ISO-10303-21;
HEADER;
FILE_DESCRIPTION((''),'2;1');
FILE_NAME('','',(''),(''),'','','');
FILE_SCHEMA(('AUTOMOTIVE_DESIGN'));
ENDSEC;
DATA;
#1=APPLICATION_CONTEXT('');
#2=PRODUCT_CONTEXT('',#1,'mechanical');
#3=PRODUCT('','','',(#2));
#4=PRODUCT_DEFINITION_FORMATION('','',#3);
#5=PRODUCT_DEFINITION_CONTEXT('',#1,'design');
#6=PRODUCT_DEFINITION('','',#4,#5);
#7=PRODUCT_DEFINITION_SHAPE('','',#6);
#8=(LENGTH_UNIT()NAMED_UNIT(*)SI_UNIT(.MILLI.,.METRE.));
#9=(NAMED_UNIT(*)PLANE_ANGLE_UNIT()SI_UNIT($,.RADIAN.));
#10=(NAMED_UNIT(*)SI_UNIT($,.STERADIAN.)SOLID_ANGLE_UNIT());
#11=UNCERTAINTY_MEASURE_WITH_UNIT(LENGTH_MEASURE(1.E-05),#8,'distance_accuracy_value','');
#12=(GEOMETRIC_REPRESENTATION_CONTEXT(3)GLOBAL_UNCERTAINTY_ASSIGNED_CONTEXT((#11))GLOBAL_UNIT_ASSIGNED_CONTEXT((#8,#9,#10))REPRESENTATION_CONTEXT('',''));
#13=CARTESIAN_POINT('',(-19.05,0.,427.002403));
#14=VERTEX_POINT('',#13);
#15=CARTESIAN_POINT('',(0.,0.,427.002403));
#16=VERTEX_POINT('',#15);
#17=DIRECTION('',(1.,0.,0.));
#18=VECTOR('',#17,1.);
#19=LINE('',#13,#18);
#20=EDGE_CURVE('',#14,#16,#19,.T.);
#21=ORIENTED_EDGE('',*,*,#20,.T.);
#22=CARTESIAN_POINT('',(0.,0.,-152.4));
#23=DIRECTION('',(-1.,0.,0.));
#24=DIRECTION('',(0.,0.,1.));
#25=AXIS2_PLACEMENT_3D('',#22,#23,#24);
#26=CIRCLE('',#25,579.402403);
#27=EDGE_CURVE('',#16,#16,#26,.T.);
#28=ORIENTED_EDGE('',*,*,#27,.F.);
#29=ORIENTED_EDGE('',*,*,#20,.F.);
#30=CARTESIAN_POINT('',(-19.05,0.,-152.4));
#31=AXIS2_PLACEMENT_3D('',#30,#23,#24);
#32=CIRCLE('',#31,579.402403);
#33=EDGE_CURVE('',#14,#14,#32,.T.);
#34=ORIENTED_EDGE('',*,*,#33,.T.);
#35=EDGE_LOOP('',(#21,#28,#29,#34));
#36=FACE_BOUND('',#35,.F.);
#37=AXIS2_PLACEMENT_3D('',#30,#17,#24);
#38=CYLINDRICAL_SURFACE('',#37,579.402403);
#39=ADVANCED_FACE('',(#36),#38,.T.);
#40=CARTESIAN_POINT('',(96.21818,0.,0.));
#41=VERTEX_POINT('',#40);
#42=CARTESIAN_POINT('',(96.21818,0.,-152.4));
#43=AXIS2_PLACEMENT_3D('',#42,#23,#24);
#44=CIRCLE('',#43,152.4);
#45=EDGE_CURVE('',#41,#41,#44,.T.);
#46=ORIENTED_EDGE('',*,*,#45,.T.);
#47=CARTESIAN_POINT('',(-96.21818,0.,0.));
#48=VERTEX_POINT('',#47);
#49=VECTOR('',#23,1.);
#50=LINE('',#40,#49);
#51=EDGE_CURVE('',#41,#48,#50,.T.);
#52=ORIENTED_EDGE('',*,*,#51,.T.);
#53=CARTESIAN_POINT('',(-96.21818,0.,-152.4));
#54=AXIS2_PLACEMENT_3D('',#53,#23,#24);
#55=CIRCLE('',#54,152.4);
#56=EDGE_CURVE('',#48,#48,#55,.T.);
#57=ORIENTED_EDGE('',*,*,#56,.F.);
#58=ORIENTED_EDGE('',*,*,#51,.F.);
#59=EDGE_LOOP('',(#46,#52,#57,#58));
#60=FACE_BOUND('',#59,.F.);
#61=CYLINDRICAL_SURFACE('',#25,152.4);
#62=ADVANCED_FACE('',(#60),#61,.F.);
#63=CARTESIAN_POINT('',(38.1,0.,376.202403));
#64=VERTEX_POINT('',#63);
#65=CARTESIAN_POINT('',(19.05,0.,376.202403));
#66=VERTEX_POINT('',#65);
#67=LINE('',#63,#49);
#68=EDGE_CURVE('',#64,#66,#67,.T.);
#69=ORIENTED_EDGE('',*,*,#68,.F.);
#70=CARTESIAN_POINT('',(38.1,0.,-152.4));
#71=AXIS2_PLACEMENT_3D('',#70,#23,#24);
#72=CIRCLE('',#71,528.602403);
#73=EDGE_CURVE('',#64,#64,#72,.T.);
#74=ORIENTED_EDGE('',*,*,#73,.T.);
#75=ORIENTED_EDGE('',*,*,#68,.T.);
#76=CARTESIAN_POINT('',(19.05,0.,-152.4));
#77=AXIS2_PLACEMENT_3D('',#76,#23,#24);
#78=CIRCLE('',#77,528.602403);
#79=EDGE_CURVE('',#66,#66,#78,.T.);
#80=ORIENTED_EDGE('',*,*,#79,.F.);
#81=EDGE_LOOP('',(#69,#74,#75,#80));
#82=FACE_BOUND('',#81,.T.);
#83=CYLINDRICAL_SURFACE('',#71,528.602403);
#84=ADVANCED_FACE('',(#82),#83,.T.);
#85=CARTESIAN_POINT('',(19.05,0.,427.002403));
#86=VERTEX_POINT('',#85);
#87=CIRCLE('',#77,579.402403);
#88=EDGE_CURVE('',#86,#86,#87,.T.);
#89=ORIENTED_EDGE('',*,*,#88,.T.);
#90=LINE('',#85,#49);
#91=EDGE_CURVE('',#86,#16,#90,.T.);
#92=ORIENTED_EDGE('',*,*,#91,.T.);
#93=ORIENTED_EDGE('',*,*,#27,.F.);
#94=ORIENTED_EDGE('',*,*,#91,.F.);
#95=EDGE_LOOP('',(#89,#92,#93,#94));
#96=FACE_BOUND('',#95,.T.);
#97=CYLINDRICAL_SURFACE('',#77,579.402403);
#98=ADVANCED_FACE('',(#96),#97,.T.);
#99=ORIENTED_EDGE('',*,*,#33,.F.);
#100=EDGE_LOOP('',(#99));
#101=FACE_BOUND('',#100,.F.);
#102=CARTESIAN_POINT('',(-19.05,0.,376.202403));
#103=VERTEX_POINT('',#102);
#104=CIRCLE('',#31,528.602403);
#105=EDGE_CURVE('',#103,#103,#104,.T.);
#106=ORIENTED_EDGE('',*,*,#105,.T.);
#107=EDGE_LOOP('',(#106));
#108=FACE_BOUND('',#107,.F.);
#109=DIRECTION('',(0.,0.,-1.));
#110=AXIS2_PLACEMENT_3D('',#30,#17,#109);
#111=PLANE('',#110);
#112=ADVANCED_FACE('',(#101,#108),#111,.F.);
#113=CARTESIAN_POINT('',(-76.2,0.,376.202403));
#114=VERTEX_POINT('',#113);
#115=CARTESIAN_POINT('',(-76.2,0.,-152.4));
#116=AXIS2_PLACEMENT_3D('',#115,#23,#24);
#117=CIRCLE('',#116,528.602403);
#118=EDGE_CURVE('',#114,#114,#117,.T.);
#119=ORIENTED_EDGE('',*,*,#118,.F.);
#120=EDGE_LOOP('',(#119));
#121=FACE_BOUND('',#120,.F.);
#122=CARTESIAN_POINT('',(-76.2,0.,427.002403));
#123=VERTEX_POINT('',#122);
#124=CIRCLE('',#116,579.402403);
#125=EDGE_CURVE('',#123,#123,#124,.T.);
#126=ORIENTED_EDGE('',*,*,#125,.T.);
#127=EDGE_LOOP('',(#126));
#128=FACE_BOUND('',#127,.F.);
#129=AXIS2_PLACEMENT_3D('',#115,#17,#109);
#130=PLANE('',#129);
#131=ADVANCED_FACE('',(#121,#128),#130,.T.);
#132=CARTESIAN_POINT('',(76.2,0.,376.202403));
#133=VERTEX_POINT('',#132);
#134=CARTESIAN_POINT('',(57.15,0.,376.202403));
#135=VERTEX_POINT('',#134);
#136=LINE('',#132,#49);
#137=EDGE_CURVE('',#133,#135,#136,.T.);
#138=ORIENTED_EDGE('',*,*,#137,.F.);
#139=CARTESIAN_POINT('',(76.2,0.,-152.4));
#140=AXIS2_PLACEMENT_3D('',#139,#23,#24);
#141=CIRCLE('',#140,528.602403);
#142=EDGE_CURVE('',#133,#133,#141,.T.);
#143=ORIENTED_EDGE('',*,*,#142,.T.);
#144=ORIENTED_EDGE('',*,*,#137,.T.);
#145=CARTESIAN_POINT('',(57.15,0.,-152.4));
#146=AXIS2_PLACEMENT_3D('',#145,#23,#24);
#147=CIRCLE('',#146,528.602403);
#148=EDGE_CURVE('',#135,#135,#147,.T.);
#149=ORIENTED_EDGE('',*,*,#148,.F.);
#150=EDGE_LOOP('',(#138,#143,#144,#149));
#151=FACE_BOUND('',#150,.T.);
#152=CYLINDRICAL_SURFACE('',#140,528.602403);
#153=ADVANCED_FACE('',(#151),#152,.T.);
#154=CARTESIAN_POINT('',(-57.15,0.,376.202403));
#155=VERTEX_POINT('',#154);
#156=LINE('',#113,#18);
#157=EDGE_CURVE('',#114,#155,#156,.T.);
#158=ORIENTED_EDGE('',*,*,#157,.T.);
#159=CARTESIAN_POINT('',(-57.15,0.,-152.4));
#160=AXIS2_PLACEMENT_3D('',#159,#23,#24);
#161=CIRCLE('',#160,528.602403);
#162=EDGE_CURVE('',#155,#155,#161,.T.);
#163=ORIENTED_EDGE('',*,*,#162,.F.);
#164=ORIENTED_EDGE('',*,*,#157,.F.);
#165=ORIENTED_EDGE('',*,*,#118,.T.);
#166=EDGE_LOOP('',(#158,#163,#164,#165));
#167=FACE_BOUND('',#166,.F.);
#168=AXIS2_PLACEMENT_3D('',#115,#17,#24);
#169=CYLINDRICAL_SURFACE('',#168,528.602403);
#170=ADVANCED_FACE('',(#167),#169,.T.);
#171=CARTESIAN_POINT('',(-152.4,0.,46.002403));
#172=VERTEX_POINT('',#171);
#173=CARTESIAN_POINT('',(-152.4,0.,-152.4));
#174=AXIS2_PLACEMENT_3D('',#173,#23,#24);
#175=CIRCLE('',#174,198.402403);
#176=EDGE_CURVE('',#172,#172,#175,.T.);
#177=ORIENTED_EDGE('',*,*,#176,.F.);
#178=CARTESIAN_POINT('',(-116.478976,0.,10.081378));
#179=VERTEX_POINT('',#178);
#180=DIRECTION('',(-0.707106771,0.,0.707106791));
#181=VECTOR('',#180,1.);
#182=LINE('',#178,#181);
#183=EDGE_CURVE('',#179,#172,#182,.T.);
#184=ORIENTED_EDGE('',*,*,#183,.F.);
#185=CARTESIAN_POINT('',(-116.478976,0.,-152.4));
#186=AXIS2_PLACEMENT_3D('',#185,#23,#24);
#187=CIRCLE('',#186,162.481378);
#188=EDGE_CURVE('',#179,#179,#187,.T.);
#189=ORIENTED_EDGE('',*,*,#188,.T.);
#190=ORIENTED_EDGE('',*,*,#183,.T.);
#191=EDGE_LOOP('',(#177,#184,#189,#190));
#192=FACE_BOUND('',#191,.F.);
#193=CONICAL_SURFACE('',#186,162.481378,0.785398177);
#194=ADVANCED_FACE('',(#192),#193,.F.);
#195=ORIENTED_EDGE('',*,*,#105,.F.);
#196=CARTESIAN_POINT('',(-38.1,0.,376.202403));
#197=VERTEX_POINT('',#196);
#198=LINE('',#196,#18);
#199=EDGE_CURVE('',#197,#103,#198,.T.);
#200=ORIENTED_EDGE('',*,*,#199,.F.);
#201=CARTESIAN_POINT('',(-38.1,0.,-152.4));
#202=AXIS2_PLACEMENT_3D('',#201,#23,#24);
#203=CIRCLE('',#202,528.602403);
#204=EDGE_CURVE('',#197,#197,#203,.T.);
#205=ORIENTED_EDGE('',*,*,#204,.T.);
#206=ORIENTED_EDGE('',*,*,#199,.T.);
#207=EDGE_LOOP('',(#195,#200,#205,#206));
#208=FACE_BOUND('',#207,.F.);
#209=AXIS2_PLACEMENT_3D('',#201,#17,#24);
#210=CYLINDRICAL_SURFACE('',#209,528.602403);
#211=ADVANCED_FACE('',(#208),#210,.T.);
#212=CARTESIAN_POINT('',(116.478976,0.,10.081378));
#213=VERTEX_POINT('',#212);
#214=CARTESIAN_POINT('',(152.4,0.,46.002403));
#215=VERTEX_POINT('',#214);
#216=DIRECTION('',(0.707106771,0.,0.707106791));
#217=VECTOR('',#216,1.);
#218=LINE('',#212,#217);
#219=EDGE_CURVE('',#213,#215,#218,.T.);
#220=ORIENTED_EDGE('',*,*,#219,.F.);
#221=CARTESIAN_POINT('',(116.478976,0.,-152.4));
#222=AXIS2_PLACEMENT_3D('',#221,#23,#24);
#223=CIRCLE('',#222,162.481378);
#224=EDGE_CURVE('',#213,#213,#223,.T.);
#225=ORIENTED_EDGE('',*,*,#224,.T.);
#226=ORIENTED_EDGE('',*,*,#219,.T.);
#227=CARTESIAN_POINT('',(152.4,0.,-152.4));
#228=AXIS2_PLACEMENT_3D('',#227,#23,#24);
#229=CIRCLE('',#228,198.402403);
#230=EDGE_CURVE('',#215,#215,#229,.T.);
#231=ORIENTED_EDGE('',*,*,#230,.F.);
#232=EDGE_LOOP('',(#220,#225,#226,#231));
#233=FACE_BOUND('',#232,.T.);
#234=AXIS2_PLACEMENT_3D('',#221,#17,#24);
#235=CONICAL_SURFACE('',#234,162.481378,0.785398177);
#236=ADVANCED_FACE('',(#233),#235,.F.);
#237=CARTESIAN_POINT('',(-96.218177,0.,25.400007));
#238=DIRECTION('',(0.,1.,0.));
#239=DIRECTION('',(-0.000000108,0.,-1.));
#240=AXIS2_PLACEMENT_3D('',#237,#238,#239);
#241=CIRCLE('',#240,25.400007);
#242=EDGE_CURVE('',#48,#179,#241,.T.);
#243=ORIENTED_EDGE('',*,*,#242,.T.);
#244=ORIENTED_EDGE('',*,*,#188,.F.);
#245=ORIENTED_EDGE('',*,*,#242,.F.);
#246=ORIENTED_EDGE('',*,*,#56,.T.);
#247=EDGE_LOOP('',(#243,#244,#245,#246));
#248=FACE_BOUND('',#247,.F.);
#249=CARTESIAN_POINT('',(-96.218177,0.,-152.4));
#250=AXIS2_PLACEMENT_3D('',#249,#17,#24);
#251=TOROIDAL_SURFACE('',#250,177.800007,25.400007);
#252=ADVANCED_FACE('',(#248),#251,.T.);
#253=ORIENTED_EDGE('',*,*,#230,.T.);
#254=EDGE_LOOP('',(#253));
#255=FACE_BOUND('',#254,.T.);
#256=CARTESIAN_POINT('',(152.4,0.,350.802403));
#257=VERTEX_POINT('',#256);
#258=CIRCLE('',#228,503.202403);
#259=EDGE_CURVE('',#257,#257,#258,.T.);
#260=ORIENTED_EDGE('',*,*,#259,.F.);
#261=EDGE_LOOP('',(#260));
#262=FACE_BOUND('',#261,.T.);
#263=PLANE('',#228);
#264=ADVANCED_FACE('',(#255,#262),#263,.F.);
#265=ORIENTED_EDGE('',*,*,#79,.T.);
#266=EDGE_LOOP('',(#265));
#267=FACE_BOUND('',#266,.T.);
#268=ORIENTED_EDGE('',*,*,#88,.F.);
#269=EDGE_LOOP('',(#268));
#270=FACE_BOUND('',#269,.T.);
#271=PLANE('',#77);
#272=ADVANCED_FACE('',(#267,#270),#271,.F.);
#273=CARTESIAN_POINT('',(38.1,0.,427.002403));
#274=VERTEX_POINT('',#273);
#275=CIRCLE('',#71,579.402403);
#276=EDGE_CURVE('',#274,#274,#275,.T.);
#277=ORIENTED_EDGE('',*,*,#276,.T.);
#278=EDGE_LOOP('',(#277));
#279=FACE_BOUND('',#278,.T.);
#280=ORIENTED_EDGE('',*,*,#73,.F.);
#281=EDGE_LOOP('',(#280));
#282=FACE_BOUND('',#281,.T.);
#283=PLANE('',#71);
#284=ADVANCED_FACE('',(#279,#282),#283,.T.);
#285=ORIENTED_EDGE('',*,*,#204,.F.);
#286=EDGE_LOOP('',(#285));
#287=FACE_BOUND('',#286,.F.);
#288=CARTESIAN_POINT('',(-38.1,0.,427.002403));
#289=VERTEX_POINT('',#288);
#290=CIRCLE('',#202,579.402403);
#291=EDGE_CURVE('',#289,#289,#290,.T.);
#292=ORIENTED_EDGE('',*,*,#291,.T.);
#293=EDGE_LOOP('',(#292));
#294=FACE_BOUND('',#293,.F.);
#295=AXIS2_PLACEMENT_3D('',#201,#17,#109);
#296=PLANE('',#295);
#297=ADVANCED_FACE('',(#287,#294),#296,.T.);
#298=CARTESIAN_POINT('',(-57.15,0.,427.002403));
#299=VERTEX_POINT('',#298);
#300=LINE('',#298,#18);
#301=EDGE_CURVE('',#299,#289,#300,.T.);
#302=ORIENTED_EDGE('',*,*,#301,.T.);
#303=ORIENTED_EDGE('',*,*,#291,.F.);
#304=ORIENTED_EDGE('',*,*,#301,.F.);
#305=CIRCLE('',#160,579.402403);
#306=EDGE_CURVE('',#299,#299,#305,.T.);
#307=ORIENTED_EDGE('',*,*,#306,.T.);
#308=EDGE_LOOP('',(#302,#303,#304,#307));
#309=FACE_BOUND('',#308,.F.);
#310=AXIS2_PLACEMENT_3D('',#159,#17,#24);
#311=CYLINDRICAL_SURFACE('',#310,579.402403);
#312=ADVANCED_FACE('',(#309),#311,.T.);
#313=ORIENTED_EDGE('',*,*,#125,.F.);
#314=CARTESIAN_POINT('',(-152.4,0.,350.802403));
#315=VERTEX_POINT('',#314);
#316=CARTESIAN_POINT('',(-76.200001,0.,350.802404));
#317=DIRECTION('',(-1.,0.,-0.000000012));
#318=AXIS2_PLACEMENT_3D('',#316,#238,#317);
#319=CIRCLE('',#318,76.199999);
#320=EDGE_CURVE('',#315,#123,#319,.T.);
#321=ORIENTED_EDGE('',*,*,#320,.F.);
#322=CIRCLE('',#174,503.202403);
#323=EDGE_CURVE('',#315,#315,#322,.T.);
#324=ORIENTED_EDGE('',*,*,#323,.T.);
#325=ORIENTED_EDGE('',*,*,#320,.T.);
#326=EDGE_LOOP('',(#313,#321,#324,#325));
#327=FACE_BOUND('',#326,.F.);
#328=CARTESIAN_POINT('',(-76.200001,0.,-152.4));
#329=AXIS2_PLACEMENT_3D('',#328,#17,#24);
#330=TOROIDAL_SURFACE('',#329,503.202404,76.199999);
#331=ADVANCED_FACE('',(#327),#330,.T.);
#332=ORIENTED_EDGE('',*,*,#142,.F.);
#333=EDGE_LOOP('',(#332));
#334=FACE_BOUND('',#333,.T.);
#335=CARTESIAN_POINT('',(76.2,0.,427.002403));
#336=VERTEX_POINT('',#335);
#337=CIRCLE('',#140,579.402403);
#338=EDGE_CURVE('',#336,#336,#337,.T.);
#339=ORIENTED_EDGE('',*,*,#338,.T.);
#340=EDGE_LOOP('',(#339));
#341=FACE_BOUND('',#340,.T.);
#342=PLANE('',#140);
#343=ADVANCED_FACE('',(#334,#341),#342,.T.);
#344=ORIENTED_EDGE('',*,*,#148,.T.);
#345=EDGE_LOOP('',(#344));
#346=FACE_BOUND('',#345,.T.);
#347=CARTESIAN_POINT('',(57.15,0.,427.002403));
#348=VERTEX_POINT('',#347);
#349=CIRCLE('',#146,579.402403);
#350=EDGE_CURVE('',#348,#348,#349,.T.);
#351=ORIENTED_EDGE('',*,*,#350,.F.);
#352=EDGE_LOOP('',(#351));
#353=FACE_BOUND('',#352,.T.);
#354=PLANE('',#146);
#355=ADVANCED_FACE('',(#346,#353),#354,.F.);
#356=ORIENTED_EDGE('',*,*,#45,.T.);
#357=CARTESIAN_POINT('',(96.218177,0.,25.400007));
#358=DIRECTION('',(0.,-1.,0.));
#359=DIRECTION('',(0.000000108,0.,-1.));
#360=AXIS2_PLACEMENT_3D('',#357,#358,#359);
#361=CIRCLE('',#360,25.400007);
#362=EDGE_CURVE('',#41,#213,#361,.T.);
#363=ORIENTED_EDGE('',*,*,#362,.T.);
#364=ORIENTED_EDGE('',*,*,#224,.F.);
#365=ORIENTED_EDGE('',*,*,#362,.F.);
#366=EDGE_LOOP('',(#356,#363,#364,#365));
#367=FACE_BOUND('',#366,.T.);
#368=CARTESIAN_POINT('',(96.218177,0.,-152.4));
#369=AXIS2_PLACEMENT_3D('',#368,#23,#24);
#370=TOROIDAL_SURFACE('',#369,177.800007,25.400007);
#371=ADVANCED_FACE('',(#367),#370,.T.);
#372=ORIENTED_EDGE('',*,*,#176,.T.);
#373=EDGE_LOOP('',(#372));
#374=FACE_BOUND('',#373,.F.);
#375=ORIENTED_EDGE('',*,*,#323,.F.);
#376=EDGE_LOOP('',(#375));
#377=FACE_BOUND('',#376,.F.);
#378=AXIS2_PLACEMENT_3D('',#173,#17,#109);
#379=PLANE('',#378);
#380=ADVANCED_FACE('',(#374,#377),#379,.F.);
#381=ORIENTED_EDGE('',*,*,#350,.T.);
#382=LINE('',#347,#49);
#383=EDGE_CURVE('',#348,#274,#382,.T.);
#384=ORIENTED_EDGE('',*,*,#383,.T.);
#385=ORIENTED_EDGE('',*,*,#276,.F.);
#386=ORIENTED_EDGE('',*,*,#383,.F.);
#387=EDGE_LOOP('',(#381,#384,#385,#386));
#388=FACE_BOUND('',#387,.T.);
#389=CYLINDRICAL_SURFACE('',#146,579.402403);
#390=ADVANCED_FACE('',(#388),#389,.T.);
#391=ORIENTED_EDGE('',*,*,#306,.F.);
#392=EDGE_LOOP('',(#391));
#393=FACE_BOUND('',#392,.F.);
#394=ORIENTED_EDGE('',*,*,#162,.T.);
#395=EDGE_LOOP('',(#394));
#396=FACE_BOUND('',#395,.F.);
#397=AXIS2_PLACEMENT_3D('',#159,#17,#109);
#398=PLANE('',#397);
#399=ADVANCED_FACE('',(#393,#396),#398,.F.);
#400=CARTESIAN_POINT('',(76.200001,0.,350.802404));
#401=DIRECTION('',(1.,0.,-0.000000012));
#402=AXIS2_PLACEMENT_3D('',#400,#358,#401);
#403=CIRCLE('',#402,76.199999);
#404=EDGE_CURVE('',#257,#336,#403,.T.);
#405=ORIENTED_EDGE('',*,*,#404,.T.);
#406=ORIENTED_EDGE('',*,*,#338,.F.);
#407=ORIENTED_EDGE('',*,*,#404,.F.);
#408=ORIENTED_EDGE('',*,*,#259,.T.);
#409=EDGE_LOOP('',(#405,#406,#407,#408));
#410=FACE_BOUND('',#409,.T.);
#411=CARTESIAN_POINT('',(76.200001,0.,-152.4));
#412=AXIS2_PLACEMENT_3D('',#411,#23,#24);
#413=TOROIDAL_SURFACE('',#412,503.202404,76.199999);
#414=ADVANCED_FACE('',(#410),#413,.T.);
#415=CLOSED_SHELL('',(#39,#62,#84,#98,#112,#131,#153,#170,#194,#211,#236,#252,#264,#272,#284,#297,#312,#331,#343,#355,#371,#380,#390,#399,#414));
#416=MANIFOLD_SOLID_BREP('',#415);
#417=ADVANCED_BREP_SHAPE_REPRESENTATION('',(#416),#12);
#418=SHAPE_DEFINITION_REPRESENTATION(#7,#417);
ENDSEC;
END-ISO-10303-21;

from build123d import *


with BuildPart() as f1:
    # F0 (on Front) → F1 (revolve)
    with BuildSketch(Plane.XZ):
        with BuildLine():
            Line((0, 427.002403), (0, 0))
            Line((0, 0), (96.21818, 0))
            ThreePointArc((96.21818, 0), (107.533369, 2.659585), (116.478976, 10.081378))
            Line((116.478976, 10.081378), (152.4, 46.002403))
            Line((152.4, 46.002403), (152.4, 350.802403))
            ThreePointArc((152.4, 350.802403), (130.081537, 404.68394), (76.2, 427.002403))
            Line((76.2, 427.002403), (76.2, 376.202403))
            Line((76.2, 376.202403), (57.15, 376.202403))
            Line((57.15, 376.202403), (57.15, 427.002403))
            Line((57.15, 427.002403), (38.1, 427.002403))
            Line((38.1, 427.002403), (38.1, 376.202403))
            Line((38.1, 376.202403), (19.05, 376.202403))
            Line((19.05, 376.202403), (19.05, 427.002403))
            Line((19.05, 427.002403), (0, 427.002403))
        make_face()
    revolve(axis=Axis((107.696429, 0, -152.4), (-1, 0, 0)))

    # F2: F1 across face


with BuildPart() as f1_1:
    add(f1.part)
    add(f1.part.mirror(Plane(origin=(0, 0, -152.4), x_dir=(0, -1, 0), z_dir=(-1, 0, 0))))


solid = f1_1.part
